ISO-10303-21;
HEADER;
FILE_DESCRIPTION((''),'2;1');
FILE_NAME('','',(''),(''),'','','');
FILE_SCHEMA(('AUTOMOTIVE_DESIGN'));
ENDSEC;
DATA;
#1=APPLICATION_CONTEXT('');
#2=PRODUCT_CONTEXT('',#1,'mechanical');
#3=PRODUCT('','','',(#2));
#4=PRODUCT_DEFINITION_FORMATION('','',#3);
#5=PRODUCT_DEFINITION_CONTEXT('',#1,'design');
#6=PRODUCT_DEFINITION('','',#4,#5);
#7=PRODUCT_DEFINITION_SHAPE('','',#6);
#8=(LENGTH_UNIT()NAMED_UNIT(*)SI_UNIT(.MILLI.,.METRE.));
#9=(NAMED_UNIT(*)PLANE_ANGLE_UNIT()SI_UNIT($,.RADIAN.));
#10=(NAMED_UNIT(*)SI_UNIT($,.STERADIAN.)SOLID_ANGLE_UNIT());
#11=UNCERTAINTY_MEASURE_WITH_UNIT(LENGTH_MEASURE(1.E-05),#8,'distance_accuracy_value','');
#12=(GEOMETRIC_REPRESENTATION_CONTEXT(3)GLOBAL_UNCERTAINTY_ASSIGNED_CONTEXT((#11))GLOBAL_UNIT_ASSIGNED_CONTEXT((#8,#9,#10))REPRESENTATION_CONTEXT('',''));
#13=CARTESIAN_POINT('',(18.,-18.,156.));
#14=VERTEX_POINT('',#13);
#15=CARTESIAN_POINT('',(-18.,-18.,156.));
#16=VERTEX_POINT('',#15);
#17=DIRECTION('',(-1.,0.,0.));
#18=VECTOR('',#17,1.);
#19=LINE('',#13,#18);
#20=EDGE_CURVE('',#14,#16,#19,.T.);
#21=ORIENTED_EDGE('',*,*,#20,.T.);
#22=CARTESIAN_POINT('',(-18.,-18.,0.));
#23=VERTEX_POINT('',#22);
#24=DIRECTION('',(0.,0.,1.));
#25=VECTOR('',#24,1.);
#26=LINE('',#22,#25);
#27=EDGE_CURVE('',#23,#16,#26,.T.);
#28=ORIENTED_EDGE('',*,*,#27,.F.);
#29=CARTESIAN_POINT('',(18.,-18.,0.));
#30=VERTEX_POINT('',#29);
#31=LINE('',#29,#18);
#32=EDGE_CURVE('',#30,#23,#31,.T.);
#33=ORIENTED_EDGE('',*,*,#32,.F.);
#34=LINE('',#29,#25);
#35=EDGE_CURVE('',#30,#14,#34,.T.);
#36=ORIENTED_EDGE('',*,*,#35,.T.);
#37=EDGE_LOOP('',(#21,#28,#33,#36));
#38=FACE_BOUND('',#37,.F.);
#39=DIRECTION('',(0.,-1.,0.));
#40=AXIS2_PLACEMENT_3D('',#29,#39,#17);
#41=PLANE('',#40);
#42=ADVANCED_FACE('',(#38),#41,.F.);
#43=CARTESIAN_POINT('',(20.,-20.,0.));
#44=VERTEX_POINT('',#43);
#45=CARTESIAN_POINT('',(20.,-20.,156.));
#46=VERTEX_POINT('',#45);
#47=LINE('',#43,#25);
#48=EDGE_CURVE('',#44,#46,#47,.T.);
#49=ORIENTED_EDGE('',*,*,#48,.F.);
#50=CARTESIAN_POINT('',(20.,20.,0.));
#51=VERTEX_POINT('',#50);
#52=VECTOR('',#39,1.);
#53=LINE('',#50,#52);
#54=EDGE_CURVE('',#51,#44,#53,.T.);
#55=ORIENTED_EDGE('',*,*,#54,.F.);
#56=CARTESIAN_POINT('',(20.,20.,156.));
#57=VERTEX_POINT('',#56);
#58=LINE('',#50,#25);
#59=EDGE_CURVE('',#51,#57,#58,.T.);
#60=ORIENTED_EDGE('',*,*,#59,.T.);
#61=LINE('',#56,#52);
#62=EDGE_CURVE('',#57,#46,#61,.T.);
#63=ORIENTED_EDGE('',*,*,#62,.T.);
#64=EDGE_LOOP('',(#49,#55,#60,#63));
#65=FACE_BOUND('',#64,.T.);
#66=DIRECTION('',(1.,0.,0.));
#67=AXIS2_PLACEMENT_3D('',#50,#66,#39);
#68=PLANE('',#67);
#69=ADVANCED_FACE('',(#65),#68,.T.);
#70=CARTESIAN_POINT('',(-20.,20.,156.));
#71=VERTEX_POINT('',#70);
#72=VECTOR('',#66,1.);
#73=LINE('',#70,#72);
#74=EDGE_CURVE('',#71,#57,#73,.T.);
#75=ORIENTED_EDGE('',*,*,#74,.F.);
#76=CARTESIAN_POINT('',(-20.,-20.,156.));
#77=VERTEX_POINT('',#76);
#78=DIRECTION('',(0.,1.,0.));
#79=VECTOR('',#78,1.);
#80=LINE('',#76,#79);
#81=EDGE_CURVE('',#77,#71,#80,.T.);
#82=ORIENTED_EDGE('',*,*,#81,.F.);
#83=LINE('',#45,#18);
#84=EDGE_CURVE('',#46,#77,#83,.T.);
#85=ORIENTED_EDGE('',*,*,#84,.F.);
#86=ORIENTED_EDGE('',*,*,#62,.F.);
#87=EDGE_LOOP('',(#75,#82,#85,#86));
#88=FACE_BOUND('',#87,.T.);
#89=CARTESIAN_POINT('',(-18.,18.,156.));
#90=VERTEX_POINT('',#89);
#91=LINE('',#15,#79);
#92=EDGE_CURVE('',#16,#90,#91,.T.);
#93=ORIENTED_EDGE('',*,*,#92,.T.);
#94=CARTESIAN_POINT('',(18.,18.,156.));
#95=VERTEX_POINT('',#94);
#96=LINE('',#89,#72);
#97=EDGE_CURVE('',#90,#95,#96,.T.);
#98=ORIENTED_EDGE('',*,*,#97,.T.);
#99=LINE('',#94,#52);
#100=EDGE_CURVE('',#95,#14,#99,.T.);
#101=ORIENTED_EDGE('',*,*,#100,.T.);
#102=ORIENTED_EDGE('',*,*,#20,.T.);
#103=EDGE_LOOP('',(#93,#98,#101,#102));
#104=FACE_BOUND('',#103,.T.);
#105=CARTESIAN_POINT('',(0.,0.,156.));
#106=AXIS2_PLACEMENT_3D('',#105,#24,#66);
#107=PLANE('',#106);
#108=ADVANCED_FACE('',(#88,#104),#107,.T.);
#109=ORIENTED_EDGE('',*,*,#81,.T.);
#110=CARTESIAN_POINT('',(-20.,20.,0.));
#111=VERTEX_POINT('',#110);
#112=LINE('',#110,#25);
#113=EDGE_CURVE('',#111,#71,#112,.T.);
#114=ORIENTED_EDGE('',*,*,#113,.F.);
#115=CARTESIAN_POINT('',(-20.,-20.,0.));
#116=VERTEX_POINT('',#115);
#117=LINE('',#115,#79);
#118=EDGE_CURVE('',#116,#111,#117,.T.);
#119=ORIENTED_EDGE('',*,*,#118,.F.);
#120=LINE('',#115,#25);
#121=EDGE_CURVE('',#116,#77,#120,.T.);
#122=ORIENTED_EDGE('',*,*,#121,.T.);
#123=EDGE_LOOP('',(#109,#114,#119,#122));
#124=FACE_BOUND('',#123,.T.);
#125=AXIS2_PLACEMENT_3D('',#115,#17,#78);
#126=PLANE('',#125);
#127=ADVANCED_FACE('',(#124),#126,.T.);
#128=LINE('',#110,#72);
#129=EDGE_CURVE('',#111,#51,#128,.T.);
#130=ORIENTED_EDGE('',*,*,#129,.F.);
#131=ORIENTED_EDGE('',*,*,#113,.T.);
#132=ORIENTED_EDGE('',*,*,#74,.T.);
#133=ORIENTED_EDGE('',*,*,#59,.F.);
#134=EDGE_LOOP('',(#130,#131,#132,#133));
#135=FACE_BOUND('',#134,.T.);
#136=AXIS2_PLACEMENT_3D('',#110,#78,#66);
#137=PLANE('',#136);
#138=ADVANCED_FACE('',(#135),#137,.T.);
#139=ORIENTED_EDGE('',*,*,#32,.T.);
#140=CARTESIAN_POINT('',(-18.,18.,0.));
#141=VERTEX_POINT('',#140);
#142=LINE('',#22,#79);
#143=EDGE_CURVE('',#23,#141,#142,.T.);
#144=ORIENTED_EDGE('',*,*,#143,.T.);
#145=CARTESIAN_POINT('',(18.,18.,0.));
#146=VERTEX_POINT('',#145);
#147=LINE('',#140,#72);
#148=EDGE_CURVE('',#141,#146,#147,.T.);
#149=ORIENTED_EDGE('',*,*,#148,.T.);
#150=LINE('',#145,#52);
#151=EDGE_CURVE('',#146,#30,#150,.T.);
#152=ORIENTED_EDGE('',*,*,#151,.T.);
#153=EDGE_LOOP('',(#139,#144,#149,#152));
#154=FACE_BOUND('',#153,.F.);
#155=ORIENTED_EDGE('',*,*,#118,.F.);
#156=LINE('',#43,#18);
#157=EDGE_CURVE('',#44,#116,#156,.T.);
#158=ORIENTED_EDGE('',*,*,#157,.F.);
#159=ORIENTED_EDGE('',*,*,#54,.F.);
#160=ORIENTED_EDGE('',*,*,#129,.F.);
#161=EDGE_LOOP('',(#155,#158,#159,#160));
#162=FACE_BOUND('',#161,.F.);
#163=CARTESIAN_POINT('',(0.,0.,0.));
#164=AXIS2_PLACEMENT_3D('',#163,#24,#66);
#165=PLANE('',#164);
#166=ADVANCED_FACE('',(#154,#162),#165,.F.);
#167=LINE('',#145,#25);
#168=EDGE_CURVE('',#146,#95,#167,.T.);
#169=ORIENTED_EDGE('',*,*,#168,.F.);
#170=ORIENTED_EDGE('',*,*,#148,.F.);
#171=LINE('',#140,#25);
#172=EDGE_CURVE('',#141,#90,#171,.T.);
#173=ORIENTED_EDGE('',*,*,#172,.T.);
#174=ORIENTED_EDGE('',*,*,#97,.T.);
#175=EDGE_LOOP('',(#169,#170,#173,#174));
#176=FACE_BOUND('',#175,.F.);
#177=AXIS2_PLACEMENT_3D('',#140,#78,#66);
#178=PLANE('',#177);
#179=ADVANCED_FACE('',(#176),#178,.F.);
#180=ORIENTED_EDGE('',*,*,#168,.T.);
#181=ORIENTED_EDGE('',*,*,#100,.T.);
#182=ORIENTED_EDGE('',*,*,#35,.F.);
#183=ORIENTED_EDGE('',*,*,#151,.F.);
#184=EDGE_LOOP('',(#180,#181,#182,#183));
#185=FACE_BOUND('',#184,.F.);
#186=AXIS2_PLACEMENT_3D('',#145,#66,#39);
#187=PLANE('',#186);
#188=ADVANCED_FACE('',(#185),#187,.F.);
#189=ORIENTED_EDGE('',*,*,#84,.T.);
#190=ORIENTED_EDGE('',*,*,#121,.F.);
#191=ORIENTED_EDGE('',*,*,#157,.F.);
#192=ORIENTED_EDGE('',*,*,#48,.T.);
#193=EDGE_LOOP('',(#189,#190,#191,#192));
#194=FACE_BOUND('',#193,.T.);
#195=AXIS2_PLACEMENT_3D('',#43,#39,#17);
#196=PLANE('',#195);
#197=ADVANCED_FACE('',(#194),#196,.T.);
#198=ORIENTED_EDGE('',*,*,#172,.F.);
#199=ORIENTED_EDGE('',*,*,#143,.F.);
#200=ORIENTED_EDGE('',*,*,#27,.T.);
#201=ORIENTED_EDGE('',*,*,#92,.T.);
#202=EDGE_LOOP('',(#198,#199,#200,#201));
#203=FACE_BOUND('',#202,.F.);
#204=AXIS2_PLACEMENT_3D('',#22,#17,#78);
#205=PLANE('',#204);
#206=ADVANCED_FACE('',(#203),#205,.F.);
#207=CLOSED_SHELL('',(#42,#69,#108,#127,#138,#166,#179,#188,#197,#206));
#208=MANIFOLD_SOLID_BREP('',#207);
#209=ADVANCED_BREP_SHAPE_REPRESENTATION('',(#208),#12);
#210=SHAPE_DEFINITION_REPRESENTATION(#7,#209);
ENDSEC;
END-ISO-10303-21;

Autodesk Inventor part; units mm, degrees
ref_plane "YZ Plane" through (0, 0, 0) normal (1, 0, 0) x (0, 1, 0)
ref_plane "XZ Plane" through (0, 0, 0) normal (0, 1, 0) x (-1, 0, 0)
ref_plane "XY Plane" through (0, 0, 0) normal (0, 0, 1) x (1, 0, 0)
sketch "Boceto1" plane through (0, 0, 0) normal (0, 0, 1) x (1, 0, 0)
  line L0 (-20, 20) -> (20, 20)
  line L1 (20, 20) -> (20, -20)
  line L2 (20, -20) -> (-20, -20)
  line L3 (-20, -20) -> (-20, 20)
  line L4 (-20, 20) -> (20, -20) construction
  line L5 (-18, 18) -> (18, 18)
  line L6 (18, 18) -> (18, -18)
  line L7 (18, -18) -> (-18, -18)
  line L8 (-18, -18) -> (-18, 18)
  line L9 (-18, 0) -> (-20, 0) construction
  line L10 (0, 18) -> (0, 20) construction
  line L11 (18, 0) -> (20, 0) construction
  line L12 (0, -18) -> (0, -20) construction
  point P0 (0, 0)
  point P1 (0, 0)
  dimension "d0" = 40
  dimension "d1" = 2
extrude "Extrusión1" add sketch "Boceto1" along normal blind 156
properties part number "C_358_40_2"
